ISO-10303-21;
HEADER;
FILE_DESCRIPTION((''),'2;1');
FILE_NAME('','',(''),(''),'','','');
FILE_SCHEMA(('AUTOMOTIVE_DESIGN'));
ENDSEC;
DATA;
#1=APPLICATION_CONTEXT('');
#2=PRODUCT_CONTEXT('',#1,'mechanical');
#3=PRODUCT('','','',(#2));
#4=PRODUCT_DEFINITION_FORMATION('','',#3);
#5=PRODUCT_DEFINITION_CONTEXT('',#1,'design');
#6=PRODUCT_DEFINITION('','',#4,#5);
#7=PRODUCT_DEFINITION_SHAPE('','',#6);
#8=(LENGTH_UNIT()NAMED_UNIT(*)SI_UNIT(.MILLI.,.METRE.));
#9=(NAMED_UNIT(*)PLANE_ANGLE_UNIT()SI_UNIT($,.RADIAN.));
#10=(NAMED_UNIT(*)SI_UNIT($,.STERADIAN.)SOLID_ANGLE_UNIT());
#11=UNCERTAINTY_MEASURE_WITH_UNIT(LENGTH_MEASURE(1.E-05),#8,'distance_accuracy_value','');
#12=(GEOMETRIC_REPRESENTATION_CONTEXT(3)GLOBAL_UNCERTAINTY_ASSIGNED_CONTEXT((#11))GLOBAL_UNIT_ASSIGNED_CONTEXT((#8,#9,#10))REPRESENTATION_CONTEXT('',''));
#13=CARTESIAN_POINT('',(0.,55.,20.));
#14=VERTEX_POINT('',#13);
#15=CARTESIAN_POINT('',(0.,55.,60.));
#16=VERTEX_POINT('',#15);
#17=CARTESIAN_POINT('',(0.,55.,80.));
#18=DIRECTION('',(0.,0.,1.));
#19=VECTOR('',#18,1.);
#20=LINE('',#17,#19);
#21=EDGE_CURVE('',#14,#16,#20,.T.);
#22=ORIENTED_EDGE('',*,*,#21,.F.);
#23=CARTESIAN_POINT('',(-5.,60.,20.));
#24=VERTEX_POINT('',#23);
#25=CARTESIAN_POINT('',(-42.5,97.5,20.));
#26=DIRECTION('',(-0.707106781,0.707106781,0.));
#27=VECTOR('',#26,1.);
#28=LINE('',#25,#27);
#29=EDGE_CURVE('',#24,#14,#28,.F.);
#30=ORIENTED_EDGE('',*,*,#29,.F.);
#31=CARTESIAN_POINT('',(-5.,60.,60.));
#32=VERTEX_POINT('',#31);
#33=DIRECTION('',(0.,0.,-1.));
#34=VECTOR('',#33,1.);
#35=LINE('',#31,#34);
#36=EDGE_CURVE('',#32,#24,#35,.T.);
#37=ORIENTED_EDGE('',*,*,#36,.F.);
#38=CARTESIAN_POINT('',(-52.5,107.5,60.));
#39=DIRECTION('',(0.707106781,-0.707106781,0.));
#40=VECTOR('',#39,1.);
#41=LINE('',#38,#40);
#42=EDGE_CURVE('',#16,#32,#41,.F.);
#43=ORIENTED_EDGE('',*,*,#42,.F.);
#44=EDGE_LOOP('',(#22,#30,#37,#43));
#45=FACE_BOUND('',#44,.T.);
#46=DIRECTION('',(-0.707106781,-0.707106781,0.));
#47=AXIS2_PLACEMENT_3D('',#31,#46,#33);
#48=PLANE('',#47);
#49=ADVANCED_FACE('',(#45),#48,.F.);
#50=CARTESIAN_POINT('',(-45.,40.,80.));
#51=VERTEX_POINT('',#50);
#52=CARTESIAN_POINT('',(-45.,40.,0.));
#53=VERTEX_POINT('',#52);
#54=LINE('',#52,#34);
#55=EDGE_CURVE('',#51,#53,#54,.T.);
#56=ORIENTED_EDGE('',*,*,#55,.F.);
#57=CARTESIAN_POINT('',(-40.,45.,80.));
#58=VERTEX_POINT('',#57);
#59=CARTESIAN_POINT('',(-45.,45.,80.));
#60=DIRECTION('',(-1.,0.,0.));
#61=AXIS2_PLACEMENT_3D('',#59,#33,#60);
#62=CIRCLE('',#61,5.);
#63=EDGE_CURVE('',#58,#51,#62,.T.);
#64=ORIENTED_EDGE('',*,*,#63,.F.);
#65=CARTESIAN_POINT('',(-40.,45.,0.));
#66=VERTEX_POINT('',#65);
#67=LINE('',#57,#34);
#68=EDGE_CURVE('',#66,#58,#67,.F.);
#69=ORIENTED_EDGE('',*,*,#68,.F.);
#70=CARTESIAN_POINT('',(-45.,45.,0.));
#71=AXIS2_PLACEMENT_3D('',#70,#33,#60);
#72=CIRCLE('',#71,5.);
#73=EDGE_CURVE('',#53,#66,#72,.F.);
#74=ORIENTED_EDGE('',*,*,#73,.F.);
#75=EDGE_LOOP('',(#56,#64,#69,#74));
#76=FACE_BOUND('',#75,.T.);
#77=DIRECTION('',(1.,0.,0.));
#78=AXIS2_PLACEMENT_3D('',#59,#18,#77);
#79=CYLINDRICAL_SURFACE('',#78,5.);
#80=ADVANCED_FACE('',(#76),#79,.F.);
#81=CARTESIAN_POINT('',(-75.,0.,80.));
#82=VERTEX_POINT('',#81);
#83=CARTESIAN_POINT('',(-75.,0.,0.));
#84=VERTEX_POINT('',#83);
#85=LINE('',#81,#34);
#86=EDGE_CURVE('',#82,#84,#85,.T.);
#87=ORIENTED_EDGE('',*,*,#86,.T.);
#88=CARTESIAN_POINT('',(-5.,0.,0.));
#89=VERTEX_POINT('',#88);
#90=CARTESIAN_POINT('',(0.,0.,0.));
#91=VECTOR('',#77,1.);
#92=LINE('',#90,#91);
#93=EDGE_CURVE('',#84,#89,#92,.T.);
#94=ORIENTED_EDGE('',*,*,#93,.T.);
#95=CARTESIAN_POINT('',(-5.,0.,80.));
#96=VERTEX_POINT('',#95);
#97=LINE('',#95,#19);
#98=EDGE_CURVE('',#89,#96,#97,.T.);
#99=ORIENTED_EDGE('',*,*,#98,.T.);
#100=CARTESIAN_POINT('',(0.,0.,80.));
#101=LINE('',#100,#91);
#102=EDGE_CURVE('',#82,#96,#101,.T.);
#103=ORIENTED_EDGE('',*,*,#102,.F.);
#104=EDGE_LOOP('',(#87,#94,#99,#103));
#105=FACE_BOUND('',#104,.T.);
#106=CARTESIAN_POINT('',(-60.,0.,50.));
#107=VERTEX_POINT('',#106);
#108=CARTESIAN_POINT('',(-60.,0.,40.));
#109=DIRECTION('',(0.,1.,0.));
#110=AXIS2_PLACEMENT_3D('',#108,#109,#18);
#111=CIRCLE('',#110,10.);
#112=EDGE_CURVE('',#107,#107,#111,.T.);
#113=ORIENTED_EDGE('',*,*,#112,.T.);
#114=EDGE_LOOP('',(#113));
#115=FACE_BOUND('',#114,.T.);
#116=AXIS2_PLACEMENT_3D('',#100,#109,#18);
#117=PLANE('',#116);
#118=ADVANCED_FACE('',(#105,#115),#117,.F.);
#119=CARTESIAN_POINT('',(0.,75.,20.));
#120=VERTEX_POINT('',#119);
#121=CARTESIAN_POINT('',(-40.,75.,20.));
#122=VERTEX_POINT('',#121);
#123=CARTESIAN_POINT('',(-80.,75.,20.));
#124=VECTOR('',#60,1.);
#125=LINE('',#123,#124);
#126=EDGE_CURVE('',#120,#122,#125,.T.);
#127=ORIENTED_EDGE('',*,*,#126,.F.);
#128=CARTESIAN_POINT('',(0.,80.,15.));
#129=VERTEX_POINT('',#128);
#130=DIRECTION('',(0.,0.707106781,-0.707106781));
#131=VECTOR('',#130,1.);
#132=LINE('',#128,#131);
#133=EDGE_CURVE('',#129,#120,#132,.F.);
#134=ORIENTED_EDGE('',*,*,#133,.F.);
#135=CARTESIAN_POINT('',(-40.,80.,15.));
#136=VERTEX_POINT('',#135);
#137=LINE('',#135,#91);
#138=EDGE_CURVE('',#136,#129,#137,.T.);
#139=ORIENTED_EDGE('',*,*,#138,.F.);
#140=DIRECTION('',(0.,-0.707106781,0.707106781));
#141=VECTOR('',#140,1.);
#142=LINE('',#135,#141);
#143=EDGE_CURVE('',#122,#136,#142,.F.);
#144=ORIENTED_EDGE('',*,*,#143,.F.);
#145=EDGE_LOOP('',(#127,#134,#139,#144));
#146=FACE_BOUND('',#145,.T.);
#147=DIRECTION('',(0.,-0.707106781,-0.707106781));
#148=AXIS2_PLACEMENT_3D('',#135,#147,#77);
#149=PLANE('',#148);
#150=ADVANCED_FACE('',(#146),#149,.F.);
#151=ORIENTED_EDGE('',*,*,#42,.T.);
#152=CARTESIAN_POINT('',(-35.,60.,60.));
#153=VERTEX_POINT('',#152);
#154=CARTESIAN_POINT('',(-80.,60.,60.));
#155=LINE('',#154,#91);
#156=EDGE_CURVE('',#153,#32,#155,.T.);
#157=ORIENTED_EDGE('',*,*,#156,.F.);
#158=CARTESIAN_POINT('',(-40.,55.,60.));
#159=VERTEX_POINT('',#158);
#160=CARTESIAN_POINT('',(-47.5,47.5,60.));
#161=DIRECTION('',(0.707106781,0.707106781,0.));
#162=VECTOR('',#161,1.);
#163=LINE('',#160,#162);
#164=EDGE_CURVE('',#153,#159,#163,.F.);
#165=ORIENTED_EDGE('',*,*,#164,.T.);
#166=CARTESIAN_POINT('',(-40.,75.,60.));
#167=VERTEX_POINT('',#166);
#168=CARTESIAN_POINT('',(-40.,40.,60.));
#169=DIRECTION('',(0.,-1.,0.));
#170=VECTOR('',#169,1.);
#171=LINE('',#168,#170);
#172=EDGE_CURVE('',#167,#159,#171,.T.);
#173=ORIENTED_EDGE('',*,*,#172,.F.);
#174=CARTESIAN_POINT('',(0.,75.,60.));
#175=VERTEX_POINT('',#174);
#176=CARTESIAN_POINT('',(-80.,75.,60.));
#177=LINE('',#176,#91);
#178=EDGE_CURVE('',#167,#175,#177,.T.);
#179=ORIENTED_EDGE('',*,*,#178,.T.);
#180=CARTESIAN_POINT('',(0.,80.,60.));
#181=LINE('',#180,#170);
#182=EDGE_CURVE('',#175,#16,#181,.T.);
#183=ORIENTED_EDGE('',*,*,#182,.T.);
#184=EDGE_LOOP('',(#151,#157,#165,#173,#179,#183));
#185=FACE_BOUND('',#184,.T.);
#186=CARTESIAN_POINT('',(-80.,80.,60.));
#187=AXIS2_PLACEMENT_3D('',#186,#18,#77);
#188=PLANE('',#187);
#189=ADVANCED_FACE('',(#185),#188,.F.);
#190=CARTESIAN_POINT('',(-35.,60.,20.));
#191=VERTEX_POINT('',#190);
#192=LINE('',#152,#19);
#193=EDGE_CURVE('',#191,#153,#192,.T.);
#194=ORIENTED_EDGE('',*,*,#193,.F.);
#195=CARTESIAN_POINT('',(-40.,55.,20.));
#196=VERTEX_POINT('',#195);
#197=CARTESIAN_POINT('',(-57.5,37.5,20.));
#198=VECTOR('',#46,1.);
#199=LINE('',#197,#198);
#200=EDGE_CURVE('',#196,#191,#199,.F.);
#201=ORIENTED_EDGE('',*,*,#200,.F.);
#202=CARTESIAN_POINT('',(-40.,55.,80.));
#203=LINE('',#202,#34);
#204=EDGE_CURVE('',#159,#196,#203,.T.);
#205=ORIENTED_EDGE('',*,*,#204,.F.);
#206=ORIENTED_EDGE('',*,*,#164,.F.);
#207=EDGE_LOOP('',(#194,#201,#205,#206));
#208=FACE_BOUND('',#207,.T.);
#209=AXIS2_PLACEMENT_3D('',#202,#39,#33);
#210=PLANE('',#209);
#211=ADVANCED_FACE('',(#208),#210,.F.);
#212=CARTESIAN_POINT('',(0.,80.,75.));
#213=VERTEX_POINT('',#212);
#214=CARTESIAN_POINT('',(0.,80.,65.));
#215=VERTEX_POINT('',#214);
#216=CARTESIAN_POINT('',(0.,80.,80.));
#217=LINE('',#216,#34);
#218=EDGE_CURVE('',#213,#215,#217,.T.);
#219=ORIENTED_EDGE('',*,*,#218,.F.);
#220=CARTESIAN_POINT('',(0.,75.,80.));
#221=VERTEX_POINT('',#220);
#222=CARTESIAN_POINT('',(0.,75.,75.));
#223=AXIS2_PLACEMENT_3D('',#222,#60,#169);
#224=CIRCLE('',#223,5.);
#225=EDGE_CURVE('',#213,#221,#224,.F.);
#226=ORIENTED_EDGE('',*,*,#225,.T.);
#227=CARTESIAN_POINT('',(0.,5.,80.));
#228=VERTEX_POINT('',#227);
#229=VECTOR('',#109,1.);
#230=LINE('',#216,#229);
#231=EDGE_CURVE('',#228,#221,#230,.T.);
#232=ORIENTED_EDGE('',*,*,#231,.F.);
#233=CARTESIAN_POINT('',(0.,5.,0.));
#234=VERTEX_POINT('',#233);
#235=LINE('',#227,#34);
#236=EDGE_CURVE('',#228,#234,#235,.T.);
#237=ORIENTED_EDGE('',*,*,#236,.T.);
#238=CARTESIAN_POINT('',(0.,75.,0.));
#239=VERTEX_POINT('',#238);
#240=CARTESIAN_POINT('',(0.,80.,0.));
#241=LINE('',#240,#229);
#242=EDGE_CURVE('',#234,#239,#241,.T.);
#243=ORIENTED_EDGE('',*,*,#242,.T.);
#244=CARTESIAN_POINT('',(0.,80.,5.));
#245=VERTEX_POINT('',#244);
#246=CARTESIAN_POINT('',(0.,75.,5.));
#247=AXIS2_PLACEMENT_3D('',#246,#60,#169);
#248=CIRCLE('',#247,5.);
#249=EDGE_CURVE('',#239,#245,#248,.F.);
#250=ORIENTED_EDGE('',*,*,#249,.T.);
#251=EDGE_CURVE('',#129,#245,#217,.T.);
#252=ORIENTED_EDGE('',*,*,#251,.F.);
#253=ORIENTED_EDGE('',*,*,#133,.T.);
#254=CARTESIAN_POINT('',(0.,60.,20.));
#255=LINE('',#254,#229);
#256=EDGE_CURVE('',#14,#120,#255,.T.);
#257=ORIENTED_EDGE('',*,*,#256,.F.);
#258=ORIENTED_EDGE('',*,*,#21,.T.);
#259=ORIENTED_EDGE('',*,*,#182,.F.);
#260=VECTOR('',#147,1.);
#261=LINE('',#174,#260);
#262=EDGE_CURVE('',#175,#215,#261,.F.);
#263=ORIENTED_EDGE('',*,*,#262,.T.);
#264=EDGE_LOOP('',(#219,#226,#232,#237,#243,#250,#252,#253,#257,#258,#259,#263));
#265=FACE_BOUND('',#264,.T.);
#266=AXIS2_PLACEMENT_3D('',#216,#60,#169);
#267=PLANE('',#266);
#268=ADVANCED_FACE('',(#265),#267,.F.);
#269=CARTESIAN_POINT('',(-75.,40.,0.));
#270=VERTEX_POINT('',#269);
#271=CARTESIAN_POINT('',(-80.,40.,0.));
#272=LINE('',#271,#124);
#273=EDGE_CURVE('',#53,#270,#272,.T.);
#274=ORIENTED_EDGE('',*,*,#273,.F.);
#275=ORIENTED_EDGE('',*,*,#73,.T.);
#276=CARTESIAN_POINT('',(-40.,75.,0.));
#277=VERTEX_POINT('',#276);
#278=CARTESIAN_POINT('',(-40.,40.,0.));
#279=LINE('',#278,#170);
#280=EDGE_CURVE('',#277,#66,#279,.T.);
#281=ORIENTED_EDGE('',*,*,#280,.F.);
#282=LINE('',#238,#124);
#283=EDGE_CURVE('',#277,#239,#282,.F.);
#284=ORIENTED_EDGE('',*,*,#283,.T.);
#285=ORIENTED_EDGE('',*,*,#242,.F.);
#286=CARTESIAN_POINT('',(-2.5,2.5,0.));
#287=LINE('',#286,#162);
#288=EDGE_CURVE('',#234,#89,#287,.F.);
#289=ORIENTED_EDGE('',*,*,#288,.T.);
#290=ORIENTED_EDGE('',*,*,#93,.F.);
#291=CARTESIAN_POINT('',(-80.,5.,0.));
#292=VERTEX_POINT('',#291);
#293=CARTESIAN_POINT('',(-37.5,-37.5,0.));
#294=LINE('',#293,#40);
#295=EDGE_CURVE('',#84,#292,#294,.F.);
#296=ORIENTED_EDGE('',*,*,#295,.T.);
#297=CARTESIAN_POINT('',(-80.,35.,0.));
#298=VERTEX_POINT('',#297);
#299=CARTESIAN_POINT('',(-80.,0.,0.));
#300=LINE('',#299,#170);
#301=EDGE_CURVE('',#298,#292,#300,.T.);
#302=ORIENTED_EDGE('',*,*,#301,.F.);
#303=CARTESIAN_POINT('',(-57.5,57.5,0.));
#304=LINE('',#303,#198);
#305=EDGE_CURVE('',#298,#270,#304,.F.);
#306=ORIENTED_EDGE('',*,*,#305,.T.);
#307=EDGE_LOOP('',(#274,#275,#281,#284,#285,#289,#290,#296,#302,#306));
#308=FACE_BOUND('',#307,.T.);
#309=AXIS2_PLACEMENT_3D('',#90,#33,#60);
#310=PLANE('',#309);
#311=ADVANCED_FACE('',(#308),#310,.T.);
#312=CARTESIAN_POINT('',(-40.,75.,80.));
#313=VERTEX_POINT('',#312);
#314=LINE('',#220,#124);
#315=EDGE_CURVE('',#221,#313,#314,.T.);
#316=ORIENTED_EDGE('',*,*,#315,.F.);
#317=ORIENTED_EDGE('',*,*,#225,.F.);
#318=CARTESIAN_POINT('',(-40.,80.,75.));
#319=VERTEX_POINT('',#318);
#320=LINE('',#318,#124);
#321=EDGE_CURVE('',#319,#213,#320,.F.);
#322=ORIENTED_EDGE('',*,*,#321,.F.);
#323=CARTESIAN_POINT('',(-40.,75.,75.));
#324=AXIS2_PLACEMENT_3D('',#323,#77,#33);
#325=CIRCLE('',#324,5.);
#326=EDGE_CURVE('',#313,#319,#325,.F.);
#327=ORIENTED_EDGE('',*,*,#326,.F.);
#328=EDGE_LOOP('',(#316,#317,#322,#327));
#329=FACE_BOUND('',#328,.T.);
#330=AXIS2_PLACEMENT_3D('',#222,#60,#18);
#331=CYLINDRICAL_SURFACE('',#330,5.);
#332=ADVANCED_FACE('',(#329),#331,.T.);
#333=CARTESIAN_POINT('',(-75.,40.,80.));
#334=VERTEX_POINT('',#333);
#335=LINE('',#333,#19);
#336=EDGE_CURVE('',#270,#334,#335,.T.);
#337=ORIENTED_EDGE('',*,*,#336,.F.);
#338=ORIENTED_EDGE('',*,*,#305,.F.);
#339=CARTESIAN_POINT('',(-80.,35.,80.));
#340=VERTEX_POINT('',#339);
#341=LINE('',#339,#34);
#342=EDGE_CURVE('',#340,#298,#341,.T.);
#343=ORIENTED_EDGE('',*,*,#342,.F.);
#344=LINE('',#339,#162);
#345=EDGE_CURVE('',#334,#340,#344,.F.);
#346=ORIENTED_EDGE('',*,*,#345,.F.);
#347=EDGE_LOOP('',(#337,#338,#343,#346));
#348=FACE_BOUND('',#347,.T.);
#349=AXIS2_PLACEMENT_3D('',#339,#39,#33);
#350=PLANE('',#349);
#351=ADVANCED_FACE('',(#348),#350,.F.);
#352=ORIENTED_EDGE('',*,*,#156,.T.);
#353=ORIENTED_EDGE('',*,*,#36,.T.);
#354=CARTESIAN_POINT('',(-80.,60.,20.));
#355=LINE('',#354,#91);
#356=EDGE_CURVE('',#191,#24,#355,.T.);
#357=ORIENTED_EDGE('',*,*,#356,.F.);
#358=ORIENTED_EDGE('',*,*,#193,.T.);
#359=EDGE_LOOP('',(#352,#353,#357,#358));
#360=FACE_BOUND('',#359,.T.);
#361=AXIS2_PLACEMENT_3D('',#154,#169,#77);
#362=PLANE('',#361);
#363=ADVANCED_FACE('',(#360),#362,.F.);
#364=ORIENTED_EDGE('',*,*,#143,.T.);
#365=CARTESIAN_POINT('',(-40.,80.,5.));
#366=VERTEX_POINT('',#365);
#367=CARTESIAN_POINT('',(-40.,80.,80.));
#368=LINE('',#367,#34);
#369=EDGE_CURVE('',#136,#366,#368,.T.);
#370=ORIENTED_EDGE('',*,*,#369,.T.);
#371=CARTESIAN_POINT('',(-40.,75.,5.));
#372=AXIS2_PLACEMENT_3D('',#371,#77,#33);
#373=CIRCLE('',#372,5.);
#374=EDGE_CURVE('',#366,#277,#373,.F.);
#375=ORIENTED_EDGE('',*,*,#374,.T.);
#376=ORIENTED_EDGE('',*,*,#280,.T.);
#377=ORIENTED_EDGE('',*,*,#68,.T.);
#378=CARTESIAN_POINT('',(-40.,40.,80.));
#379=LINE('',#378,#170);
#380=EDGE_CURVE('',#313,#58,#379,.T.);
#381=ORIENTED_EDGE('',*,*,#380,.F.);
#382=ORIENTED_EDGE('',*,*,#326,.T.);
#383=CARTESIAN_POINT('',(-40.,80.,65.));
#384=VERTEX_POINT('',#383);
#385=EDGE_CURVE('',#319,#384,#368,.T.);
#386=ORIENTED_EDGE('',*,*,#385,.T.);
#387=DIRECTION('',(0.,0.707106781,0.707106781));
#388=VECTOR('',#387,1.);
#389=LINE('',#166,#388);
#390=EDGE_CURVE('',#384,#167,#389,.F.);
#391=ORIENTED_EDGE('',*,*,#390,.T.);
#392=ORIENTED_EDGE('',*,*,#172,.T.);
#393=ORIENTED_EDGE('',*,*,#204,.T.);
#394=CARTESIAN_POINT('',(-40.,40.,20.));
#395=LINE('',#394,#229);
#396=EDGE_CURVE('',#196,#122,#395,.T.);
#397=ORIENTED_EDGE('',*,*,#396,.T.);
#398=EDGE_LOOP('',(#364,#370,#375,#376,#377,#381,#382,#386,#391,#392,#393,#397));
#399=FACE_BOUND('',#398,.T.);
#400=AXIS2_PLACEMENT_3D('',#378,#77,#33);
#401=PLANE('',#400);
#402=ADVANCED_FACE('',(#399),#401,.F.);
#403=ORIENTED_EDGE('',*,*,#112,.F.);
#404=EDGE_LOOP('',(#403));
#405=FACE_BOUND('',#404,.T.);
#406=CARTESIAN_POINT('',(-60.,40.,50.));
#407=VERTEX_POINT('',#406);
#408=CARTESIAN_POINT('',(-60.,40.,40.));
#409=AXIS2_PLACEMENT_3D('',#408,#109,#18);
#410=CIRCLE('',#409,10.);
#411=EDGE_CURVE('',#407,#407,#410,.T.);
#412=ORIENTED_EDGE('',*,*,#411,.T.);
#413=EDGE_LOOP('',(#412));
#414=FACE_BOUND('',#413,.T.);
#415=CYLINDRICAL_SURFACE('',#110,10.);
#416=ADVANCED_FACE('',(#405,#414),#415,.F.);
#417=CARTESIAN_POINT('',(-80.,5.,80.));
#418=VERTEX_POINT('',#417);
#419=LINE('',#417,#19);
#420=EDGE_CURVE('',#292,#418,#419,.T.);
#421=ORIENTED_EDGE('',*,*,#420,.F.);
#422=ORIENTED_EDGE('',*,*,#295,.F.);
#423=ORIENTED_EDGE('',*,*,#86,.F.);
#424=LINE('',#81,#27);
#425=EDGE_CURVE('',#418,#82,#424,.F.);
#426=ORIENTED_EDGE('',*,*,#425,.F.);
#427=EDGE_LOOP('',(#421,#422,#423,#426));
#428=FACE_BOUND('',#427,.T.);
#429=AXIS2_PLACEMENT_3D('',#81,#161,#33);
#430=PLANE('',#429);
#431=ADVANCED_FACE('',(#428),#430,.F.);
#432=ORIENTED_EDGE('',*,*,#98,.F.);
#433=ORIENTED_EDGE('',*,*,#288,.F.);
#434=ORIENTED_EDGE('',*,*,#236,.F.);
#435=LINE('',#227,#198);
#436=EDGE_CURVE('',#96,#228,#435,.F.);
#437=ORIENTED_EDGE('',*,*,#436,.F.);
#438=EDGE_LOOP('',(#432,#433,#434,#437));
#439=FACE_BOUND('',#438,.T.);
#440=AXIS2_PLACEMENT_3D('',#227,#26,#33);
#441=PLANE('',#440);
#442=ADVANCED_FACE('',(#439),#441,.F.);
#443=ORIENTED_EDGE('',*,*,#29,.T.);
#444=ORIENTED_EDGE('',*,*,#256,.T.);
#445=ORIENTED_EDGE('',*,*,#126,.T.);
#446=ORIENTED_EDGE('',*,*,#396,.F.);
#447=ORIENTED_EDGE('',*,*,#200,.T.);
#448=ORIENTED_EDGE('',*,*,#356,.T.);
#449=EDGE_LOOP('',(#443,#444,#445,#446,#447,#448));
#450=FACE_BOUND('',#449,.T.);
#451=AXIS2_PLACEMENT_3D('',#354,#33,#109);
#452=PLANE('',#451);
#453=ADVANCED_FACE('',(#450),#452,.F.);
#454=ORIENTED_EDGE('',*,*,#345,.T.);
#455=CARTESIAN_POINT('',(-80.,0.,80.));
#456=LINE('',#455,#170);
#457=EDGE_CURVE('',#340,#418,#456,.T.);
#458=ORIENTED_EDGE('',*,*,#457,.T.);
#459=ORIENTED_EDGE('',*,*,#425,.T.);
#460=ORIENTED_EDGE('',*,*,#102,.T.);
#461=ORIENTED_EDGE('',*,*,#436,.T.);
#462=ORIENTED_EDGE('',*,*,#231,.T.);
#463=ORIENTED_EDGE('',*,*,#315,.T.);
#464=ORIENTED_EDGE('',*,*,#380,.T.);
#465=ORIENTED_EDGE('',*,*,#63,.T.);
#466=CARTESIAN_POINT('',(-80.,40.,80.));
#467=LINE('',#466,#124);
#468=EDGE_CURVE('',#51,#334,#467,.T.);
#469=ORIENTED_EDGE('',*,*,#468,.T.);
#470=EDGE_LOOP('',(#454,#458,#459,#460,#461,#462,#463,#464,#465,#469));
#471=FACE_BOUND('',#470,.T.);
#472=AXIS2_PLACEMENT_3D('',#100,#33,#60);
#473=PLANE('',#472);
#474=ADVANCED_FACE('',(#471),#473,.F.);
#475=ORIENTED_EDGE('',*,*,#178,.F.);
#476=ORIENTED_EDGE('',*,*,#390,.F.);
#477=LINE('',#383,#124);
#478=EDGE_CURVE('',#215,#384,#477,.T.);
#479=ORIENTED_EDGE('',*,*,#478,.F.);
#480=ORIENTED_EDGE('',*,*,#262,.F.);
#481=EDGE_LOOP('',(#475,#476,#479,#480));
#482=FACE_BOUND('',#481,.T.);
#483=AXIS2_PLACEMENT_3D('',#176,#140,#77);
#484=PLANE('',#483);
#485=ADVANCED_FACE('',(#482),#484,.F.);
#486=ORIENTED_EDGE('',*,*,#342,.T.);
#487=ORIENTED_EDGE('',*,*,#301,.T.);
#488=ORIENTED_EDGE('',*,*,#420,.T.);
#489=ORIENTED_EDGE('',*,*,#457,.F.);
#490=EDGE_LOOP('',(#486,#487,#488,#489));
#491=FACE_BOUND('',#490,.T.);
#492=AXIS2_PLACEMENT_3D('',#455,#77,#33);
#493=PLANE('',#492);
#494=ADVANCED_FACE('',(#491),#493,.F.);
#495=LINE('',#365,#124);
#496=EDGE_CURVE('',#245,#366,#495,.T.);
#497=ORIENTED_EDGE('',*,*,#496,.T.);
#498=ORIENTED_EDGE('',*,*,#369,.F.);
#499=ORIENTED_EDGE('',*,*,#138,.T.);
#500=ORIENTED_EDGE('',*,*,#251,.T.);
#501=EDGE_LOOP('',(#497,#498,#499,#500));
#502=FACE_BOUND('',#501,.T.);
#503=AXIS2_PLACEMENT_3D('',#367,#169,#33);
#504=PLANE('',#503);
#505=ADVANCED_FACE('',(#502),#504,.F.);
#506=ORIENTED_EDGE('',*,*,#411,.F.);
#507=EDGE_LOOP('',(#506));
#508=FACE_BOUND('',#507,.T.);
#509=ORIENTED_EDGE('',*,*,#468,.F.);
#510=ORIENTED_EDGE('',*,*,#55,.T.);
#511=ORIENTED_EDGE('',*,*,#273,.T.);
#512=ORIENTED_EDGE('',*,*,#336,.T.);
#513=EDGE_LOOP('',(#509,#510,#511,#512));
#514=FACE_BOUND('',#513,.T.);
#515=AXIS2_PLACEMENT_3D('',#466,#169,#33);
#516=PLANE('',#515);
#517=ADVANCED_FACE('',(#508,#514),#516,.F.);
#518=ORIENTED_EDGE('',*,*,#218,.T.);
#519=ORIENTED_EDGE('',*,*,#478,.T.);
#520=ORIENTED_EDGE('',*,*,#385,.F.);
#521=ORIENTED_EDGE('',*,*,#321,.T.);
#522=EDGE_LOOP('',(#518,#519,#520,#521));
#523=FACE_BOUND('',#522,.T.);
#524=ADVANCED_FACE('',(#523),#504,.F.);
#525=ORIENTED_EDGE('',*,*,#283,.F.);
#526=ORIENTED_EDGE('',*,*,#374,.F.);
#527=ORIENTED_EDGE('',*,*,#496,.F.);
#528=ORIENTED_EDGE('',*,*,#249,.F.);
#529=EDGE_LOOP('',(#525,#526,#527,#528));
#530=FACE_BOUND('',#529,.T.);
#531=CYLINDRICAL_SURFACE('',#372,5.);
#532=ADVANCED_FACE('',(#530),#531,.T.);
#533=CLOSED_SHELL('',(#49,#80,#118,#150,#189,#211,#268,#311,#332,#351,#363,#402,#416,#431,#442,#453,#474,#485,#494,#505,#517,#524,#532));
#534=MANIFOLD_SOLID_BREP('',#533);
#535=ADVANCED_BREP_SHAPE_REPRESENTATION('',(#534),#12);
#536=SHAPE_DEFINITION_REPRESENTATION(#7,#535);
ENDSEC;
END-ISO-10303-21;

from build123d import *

# Parameters (mm, degrees)
BOSS_EXTRUDE1_DEPTH = 80
SKETCH3_W           = 40
SKETCH3_H           = 20
CUT_EXTRUDE1_DEPTH  = 139.564064606
FILLET1_R           = 5
CHAMFER1_SIZE       = 5
SKETCH4_R           = 10
CUT_EXTRUDE2_DEPTH  = 121
CHAMFER2_SIZE       = 5
FILLET2_R           = 5
CHAMFER3_SIZE       = 5
CHAMFER4_SIZE       = 5
CHAMFER5_SIZE       = 5
CHAMFER6_SIZE       = 5


with BuildPart() as part:
    # Sketch1 → Boss-Extrude1 (new body)
    with BuildSketch(Plane.XY):
        Polygon((0, 0), (-80, 0), (-80, 40), (-40, 40), (-40, 80), (0, 80), align=None)
    extrude(amount=BOSS_EXTRUDE1_DEPTH)

    # Sketch3 → Cut-Extrude1 (cut, through all)
    with BuildSketch(Plane(origin=(0, 0, 0), x_dir=(0, 0, -1), z_dir=(1, 0, 0))):
        with Locations((-40, 70)):
            Rectangle(SKETCH3_W, SKETCH3_H)
    extrude(amount=-CUT_EXTRUDE1_DEPTH, mode=Mode.SUBTRACT)

    # Fillet1
    fillet1_edges = [part.edges().sort_by_distance(p)[0] for p in [
        (-20, 80, 80),
        (-20, 80, 0),
    ]]
    fillet(fillet1_edges, radius=FILLET1_R)

    # Chamfer1
    chamfer1_edges = [part.edges().sort_by_distance(p)[0] for p in [
        (-20, 80, 60),
        (-20, 80, 20),
    ]]
    chamfer(chamfer1_edges, length=CHAMFER1_SIZE)

    # Sketch4 → Cut-Extrude2 (cut, through all)
    with BuildSketch(Plane(origin=(0, 40, 0), x_dir=(1, 0, 0), z_dir=(0, 1, 0))):
        with Locations(Location((-60, -40, 0), (0, 0, 270))):
            Circle(SKETCH4_R)
    extrude(amount=-CUT_EXTRUDE2_DEPTH, mode=Mode.SUBTRACT)

    # Chamfer2
    chamfer2_edges = [part.edges().sort_by_distance(p)[0] for p in [
        (-80, 40, 40),
    ]]
    chamfer(chamfer2_edges, length=CHAMFER2_SIZE)

    # Fillet2
    fillet2_edges = [part.edges().sort_by_distance(p)[0] for p in [
        (-40, 40, 40),
    ]]
    fillet(fillet2_edges, radius=FILLET2_R)

    # Chamfer3
    chamfer3_edges = [part.edges().sort_by_distance(p)[0] for p in [
        (-80, 0, 40),
    ]]
    chamfer(chamfer3_edges, length=CHAMFER3_SIZE)

    # Chamfer4
    chamfer4_edges = [part.edges().sort_by_distance(p)[0] for p in [
        (0, 0, 40),
    ]]
    chamfer(chamfer4_edges, length=CHAMFER4_SIZE)

    # Chamfer5
    chamfer5_edges = [part.edges().sort_by_distance(p)[0] for p in [
        (0, 60, 40),
    ]]
    chamfer(chamfer5_edges, length=CHAMFER5_SIZE)

    # Chamfer6
    chamfer6_edges = [part.edges().sort_by_distance(p)[0] for p in [
        (-40, 60, 40),
    ]]
    chamfer(chamfer6_edges, length=CHAMFER6_SIZE)


solid = part.part
